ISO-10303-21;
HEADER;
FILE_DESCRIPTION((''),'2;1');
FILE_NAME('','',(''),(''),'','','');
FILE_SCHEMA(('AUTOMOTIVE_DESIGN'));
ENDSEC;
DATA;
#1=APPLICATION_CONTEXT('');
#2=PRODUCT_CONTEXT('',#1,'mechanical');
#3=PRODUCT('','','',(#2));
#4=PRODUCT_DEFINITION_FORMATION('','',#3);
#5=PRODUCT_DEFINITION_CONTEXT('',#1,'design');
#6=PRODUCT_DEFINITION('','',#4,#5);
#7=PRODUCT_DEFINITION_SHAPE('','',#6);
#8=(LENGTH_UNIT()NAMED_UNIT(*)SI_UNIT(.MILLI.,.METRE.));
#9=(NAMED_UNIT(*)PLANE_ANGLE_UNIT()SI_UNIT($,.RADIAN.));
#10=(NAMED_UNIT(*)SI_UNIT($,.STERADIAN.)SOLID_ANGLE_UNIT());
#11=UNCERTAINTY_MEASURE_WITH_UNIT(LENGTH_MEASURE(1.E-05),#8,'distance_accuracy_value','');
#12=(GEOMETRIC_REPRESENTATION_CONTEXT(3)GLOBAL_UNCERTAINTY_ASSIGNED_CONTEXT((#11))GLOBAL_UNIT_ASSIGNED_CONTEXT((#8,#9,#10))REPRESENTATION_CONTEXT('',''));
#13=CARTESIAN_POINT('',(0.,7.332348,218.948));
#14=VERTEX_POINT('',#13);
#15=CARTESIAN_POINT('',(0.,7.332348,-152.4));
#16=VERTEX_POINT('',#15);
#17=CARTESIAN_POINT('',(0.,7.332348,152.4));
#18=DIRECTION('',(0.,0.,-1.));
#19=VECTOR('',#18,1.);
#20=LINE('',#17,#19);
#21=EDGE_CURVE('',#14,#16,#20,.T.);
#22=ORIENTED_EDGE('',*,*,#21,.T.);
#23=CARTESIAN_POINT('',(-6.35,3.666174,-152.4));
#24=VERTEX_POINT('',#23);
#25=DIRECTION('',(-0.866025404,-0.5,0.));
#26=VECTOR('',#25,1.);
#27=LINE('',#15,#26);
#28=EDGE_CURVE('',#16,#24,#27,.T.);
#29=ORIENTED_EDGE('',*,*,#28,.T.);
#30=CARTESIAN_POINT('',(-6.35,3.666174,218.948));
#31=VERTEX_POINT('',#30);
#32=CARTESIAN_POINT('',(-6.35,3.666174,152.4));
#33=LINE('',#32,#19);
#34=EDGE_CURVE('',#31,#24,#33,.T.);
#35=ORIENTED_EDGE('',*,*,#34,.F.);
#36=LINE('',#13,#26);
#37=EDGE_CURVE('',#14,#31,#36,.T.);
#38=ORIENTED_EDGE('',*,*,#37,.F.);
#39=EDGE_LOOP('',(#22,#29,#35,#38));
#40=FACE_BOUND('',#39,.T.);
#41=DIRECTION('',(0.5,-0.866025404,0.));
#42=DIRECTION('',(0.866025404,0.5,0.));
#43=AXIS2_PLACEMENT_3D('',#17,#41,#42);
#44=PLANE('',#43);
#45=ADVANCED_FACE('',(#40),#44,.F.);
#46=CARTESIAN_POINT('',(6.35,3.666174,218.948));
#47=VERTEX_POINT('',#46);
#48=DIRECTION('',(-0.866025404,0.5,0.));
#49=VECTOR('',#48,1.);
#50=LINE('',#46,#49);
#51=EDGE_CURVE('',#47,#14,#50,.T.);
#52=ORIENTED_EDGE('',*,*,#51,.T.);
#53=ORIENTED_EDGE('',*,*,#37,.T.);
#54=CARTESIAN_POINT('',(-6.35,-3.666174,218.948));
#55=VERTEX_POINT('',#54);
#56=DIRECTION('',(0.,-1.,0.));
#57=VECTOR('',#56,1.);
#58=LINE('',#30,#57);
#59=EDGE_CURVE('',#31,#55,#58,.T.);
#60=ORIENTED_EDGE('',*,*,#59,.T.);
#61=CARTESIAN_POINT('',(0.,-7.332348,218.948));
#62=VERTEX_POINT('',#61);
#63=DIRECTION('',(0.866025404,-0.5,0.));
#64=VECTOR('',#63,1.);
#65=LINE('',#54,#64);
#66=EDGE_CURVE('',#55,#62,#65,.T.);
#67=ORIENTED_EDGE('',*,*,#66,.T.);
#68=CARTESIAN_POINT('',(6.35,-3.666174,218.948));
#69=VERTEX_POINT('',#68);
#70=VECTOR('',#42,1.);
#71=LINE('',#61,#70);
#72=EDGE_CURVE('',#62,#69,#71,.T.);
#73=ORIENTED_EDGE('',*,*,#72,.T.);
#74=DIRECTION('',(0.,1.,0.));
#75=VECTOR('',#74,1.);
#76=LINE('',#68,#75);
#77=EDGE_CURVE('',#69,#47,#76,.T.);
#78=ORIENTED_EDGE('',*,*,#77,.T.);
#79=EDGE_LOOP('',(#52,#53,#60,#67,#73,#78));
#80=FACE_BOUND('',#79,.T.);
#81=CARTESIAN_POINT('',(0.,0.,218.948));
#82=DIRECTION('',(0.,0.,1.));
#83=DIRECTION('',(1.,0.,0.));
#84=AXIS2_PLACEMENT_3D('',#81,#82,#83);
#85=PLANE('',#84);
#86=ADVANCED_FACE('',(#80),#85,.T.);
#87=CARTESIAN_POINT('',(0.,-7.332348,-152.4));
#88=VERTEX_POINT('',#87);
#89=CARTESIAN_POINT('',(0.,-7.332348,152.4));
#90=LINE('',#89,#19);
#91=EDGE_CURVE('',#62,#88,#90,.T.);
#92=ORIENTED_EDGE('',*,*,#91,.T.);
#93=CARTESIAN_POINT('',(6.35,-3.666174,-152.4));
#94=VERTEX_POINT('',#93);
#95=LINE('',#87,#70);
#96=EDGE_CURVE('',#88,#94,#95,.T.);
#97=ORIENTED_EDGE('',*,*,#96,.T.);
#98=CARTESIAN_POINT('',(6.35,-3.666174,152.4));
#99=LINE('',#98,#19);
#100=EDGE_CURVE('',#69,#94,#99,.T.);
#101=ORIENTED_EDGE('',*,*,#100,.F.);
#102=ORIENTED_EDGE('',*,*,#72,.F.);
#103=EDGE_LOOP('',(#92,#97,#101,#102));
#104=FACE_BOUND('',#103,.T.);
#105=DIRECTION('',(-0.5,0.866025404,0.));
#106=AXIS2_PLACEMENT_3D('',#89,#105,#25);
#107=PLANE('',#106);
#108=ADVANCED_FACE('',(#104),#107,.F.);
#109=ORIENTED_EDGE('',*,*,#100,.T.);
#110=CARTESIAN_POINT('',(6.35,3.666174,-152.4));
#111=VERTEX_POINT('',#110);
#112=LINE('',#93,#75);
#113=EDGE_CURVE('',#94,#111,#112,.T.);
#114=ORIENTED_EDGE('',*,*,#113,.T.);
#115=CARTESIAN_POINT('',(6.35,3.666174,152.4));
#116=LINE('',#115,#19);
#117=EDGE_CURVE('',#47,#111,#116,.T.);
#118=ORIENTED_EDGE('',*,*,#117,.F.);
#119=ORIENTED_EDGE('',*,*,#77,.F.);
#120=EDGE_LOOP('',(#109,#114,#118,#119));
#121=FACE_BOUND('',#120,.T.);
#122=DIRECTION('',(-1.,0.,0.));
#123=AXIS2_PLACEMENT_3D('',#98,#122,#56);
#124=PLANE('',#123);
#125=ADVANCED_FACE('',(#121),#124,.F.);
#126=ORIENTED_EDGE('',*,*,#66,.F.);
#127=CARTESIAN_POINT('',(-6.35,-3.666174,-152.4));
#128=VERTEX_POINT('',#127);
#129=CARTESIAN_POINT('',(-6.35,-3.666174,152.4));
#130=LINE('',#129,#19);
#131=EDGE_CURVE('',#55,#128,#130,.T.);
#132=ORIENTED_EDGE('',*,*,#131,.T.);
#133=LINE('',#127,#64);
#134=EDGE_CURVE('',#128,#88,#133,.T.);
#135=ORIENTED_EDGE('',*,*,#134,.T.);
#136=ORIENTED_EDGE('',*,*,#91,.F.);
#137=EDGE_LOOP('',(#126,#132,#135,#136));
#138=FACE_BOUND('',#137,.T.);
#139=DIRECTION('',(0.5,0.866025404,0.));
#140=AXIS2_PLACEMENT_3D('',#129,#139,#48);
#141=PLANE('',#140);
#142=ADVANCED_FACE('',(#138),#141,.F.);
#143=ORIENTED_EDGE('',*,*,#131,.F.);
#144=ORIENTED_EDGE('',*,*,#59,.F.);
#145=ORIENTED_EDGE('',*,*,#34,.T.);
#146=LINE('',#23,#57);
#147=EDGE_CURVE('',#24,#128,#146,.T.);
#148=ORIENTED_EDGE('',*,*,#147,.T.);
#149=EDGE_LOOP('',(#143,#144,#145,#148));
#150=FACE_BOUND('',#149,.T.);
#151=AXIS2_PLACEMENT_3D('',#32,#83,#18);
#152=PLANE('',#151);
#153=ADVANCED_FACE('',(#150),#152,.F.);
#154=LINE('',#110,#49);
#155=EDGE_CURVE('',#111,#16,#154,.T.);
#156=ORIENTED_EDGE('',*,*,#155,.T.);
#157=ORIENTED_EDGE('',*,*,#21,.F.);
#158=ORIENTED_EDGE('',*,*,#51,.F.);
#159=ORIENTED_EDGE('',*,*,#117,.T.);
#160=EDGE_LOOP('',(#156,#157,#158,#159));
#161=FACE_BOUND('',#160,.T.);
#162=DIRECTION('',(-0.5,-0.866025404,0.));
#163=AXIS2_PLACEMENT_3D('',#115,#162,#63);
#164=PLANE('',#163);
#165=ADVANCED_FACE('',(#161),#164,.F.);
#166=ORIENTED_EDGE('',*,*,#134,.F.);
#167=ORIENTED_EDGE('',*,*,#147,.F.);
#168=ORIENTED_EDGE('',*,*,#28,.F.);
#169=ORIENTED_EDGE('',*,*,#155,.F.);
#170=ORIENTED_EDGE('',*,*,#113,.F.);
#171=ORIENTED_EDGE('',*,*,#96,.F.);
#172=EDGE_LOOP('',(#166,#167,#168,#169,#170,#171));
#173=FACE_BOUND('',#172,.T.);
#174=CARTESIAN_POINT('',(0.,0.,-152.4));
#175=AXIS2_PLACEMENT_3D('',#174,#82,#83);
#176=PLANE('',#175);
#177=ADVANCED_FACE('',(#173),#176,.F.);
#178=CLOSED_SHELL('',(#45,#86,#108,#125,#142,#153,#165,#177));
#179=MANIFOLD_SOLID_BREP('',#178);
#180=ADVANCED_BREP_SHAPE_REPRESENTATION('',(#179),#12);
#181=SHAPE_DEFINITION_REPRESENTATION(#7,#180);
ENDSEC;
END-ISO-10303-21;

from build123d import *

# Parameters (mm, degrees)
BOSS_EXTRUDE2_DEPTH      = 152.4
BOSS_EXTRUDE2_DEPTH_BACK = 152.4
BOSS_EXTRUDE3_DEPTH      = 66.548


with BuildPart() as part:
    # Sketch3 → Boss-Extrude2 (new, two sides: drawn at the far end of the back side and taken through both)
    with BuildSketch(Plane.XY.offset(-BOSS_EXTRUDE2_DEPTH_BACK)):
        Polygon((-6.35, -3.666174209), (0, -7.332348419), (6.35, -3.666174209), (6.35, 3.666174209), (0, 7.332348419), (-6.35, 3.666174209), align=None)
    extrude(amount=BOSS_EXTRUDE2_DEPTH + BOSS_EXTRUDE2_DEPTH_BACK)

    # Sketch4 → Boss-Extrude3 (add)
    with BuildSketch(Plane.XY.offset(152.4)):
        Polygon((-6.35, 3.666174209), (-6.35, -3.666174209), (0, -7.332348419), (6.35, -3.666174209), (6.35, 3.666174209), (0, 7.332348419), align=None)
    extrude(amount=BOSS_EXTRUDE3_DEPTH)


solid = part.part
